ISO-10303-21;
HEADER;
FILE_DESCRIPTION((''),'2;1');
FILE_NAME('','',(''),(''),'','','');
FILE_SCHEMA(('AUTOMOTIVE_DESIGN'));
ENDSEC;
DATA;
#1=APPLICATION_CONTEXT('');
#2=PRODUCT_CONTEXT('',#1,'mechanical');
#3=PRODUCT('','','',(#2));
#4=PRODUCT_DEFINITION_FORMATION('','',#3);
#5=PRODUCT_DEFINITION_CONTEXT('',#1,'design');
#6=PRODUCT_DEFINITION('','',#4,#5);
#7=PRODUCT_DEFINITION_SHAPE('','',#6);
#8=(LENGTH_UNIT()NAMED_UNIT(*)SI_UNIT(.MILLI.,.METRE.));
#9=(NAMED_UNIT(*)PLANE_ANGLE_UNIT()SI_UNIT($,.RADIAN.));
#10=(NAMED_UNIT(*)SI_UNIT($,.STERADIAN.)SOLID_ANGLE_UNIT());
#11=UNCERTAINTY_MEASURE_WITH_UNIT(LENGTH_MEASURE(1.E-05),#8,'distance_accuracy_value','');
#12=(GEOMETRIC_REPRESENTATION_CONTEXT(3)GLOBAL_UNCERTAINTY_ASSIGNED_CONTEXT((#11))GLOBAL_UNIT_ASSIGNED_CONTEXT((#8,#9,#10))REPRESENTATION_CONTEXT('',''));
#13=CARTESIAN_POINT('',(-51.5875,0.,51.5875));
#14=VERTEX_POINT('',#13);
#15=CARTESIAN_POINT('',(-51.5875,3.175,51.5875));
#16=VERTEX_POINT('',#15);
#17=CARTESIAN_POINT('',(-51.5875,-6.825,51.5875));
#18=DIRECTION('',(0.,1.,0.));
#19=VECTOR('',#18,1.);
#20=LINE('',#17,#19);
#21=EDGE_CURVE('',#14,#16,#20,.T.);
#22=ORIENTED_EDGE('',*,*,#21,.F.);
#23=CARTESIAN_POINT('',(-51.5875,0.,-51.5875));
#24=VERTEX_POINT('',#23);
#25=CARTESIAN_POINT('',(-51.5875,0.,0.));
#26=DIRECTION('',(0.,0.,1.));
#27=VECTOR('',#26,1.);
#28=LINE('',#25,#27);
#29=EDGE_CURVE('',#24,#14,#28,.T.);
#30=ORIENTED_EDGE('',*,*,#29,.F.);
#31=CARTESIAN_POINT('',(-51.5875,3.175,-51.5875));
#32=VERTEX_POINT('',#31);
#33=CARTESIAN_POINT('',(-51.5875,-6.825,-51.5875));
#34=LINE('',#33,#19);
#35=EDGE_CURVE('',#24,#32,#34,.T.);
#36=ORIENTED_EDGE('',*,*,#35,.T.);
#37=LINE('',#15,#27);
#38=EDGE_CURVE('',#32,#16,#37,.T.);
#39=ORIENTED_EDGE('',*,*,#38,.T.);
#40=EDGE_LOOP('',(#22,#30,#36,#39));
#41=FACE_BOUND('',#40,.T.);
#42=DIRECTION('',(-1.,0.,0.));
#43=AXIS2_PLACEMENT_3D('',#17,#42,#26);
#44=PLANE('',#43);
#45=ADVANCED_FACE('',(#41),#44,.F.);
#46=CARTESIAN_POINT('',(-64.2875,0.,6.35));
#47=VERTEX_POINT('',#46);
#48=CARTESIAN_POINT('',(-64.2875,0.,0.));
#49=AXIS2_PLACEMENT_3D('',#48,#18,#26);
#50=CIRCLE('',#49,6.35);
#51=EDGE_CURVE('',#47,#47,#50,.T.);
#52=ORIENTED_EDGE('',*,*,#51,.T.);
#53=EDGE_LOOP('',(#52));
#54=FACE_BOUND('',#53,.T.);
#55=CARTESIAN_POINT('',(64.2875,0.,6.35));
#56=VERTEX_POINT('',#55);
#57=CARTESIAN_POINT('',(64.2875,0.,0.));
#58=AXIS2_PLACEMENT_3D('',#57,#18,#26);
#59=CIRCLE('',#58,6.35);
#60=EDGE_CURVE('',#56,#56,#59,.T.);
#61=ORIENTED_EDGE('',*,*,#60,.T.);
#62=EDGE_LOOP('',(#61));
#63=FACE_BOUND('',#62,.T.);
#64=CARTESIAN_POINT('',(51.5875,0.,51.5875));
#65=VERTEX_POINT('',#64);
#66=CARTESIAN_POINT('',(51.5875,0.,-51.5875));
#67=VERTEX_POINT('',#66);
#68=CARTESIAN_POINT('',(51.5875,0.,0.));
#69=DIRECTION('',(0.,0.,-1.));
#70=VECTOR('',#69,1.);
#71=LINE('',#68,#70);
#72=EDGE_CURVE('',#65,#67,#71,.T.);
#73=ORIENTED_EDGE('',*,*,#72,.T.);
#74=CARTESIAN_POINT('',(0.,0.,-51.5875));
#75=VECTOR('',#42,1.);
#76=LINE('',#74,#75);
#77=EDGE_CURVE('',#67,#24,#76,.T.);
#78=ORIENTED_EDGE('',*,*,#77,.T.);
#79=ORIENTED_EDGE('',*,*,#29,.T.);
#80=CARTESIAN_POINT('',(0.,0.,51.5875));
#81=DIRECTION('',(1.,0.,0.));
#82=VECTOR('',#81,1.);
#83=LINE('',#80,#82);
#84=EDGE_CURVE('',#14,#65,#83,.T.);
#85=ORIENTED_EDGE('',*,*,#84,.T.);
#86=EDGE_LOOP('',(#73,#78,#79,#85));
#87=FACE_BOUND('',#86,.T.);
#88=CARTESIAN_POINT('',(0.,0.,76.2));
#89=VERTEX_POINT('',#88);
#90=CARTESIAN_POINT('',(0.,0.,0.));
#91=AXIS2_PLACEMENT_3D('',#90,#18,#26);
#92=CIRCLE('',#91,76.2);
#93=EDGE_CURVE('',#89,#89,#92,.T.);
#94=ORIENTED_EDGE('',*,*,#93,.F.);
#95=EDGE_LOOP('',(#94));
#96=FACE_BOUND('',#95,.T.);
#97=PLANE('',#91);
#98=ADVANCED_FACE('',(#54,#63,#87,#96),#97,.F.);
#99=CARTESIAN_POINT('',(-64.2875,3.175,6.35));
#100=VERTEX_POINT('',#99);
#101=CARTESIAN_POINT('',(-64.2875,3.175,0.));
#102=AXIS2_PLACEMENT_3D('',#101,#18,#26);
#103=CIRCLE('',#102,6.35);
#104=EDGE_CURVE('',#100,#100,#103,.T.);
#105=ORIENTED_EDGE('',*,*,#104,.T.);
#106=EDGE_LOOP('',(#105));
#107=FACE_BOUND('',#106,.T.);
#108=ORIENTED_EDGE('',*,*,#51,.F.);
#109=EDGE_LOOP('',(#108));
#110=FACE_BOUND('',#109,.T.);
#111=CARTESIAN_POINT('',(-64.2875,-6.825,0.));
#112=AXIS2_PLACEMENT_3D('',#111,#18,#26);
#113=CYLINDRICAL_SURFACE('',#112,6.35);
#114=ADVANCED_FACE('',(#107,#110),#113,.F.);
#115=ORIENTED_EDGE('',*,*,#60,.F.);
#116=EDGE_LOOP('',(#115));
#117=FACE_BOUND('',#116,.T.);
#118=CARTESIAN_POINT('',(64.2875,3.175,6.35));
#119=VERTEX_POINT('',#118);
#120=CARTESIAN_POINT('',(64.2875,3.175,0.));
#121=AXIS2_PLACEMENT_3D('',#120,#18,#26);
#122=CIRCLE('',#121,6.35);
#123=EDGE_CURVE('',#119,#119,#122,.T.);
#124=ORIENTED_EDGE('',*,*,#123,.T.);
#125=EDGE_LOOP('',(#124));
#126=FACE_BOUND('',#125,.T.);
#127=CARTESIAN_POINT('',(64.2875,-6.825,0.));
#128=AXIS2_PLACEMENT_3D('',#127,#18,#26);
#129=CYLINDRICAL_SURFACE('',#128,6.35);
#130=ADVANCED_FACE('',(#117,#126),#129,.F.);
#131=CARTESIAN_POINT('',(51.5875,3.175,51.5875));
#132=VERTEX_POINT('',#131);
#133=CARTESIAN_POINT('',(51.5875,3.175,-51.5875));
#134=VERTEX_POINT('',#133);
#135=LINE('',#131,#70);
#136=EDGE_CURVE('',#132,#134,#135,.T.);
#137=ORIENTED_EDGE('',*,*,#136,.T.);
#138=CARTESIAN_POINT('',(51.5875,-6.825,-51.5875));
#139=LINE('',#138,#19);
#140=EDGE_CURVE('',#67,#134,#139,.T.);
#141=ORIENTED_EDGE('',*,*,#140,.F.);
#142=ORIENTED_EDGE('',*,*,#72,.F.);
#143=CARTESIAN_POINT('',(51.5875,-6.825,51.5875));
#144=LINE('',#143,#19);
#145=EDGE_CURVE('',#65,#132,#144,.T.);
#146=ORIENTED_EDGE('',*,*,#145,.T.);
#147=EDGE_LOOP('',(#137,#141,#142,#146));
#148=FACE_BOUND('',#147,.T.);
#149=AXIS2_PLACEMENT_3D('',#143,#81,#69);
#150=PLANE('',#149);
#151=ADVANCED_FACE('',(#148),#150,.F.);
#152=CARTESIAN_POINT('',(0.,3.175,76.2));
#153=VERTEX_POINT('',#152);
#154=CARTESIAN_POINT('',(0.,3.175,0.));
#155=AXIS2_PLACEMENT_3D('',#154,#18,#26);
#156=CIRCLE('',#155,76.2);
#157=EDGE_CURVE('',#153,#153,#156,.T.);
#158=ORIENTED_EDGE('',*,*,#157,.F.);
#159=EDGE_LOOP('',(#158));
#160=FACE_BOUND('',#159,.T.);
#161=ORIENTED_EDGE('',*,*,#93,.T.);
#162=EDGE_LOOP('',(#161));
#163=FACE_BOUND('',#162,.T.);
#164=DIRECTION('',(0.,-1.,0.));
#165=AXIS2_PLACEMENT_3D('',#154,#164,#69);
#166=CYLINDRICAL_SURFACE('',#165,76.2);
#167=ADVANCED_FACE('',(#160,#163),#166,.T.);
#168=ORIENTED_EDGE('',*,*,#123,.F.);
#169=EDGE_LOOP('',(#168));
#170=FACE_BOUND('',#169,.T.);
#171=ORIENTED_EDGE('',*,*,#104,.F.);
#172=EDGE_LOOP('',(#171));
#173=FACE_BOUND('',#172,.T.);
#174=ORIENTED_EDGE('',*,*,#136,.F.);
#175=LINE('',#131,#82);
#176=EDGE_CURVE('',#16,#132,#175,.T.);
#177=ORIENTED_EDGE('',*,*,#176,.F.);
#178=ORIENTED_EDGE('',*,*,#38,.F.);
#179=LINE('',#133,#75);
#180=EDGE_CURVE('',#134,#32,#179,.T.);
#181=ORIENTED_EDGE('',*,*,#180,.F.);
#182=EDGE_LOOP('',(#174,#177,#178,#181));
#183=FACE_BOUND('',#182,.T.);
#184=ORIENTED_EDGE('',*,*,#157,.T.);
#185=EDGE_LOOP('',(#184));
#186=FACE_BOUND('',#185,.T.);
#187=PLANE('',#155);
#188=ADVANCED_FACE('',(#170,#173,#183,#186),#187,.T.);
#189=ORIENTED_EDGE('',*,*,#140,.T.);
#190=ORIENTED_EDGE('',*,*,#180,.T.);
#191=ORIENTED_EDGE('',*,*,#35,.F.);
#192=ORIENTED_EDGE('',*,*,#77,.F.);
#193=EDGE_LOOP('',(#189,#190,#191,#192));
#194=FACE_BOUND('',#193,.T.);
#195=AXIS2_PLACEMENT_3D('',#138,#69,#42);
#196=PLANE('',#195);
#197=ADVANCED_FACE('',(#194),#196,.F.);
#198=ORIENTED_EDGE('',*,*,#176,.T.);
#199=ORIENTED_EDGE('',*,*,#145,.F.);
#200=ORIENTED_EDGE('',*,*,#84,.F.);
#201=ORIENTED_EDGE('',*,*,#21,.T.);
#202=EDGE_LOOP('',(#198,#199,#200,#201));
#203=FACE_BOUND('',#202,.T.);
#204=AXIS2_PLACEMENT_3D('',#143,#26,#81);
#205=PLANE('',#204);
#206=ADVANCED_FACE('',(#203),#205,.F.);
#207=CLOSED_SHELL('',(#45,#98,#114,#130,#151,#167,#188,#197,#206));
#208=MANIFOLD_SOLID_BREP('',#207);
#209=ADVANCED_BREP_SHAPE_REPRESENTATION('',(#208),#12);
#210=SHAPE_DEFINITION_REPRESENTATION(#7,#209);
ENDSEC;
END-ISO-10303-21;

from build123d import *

# Parameters (mm, degrees)
SKETCH1_R           = 76.2
BOSS_EXTRUDE1_DEPTH = 3.175
SKETCH2_R           = 35
CUT_EXTRUDE1_DEPTH  = 3.175
SKETCH3_R           = 6.35
CUT_EXTRUDE2_DEPTH  = 10
SKETCH5_W           = 100
SKETCH5_H           = 100
CUT_EXTRUDE3_DEPTH  = 10
FILLET1_R           = 0.5
SKETCH6_W           = 103.175
SKETCH6_H           = 103.175
CUT_EXTRUDE4_DEPTH  = 10


with BuildPart() as part:
    # Sketch1 → Boss-Extrude1 (new body)
    with BuildSketch(Plane(origin=(0, 0, 0), x_dir=(1, 0, 0), z_dir=(0, 1, 0))):
        with Locations(Location((0, 0, 0), (0, 0, 270))):
            Circle(SKETCH1_R)
    extrude(amount=BOSS_EXTRUDE1_DEPTH)

    # Sketch2 → Cut-Extrude1 (cut)
    with BuildSketch(Plane(origin=(0, 3.175, 0), x_dir=(1, 0, 0), z_dir=(0, 1, 0))):
        with Locations(Location((0, 0, 0), (0, 0, 270))):
            Circle(SKETCH2_R)
    extrude(amount=-CUT_EXTRUDE1_DEPTH, mode=Mode.SUBTRACT)

    # Sketch3 → Cut-Extrude2 (cut)
    with BuildSketch(Plane(origin=(0, 3.175, 0), x_dir=(1, 0, 0), z_dir=(0, 1, 0))):
        with Locations(Location((-64.2875, 0, 0), (0, 0, 270))):
            Circle(SKETCH3_R)
        with Locations(Location((64.2875, 0, 0), (0, 0, 270))):
            Circle(SKETCH3_R)
    extrude(amount=-CUT_EXTRUDE2_DEPTH, mode=Mode.SUBTRACT)

    # Sketch5 → Cut-Extrude3 (cut)
    with BuildSketch(Plane(origin=(0, 3.175, 0), x_dir=(1, 0, 0), z_dir=(0, 1, 0))):
        Rectangle(SKETCH5_W, SKETCH5_H)
    extrude(amount=-CUT_EXTRUDE3_DEPTH, mode=Mode.SUBTRACT)

    # Fillet1
    fillet1_edges = [part.edges().sort_by_distance(p)[0] for p in [
        (-50, 1.5875, 50),
        (-50, 1.5875, -50),
        (50, 1.5875, -50),
        (50, 1.5875, 50),
    ]]
    fillet(fillet1_edges, radius=FILLET1_R)

    # Sketch6 → Cut-Extrude4 (cut)
    with BuildSketch(Plane(origin=(0, 3.175, 0), x_dir=(1, 0, 0), z_dir=(0, 1, 0))):
        Rectangle(SKETCH6_W, SKETCH6_H)
    extrude(amount=-CUT_EXTRUDE4_DEPTH, mode=Mode.SUBTRACT)


solid = part.part
